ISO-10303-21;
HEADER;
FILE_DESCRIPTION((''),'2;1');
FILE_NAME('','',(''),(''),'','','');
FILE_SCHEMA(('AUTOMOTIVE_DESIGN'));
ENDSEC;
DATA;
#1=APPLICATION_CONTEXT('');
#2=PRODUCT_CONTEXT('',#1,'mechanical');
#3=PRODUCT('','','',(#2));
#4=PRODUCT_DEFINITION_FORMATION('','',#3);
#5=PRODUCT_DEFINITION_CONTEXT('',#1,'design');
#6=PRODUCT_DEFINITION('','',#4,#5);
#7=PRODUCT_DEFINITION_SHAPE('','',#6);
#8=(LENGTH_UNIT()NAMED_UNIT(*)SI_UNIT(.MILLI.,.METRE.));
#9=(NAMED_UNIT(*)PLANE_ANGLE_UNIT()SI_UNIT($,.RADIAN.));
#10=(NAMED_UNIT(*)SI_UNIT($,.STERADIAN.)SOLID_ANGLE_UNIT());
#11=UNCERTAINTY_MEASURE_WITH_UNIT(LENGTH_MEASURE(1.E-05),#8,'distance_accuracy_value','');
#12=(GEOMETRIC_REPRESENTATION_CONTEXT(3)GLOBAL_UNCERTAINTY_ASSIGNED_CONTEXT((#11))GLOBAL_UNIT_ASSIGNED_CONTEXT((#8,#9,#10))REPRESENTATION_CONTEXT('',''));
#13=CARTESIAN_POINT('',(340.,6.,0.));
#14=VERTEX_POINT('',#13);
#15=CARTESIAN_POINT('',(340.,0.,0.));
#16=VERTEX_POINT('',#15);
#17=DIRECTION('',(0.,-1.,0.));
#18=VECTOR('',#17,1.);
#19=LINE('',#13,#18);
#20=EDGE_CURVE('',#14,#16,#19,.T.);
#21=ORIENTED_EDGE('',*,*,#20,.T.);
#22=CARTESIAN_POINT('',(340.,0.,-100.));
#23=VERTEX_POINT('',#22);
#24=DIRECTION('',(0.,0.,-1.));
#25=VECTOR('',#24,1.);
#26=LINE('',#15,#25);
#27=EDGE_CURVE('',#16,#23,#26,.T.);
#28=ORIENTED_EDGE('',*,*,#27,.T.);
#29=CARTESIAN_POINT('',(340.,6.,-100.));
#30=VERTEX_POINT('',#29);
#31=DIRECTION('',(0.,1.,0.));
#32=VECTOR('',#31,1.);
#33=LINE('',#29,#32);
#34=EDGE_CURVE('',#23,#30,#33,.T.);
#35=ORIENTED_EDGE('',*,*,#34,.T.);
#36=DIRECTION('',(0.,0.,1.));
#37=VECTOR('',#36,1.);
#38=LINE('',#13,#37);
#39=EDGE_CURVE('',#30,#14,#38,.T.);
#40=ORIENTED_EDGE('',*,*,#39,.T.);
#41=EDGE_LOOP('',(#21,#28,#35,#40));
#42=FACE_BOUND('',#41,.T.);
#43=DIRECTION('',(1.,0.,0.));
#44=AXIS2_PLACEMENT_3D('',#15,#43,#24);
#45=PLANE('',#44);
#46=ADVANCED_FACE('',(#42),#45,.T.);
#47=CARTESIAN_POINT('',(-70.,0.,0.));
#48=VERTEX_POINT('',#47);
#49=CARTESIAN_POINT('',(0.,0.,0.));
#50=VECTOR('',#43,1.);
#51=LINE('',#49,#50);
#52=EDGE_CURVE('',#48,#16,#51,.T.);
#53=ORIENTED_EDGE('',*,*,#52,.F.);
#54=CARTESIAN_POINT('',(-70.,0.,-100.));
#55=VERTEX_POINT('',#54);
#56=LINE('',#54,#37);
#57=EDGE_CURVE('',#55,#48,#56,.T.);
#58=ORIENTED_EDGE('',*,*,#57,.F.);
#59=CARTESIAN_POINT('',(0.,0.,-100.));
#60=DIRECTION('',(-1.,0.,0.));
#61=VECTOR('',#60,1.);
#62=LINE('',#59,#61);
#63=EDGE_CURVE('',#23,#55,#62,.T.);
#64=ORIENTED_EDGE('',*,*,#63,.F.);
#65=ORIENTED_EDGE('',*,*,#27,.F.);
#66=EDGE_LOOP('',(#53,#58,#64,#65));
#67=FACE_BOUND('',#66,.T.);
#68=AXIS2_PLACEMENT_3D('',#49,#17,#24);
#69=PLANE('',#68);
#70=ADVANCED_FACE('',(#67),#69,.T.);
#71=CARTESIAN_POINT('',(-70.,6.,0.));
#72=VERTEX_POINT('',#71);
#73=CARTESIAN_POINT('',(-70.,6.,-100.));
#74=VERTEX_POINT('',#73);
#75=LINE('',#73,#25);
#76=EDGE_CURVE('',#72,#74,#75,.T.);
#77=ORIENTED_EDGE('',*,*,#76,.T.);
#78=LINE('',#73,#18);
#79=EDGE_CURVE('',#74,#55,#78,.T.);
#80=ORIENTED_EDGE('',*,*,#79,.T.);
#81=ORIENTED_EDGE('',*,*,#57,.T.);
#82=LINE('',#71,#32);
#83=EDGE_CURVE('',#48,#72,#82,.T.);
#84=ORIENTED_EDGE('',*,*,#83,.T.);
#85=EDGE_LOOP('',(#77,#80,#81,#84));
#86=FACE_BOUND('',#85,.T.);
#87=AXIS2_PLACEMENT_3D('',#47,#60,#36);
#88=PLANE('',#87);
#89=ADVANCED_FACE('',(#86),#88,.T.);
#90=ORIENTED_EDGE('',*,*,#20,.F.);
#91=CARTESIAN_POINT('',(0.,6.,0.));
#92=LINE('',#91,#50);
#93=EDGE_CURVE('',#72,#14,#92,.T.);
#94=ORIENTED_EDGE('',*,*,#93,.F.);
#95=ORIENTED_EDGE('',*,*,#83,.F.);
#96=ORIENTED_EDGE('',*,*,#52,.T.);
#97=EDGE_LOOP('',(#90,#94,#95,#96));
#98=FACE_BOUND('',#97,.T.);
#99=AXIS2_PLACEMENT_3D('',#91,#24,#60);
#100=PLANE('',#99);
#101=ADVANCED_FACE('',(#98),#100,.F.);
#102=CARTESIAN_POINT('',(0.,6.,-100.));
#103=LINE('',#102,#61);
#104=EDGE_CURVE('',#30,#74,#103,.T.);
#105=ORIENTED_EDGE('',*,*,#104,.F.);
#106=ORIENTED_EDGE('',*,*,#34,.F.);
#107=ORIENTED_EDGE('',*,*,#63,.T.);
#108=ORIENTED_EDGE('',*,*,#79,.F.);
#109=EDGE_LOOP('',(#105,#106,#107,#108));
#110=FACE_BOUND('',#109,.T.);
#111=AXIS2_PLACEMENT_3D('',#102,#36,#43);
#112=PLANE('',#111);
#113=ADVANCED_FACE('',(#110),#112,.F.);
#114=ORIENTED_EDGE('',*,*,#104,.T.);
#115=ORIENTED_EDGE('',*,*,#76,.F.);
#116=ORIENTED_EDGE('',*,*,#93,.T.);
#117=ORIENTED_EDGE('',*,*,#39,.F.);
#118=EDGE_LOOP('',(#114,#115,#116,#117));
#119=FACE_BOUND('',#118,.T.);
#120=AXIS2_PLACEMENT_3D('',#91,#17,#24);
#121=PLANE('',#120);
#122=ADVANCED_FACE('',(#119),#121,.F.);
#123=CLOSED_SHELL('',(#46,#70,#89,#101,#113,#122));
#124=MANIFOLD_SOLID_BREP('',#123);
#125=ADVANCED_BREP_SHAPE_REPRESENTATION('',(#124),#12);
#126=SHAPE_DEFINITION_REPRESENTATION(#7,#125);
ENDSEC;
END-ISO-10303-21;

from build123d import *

# Parameters (mm, degrees)
ESBO_O2_W                = 120
ESBO_O2_H                = 100
RESSALTO_EXTRUS_O1_DEPTH = 6
ESBO_O3_W                = 100
ESBO_O3_H                = 6
RESSALTO_EXTRUS_O3_DEPTH = 70
ESBO_O4_W                = 100
ESBO_O4_H                = 6
RESSALTO_EXTRUS_O4_DEPTH = 120
ESBO_O5_W                = 100
ESBO_O5_H                = 6
RESSALTO_EXTRUS_O5_DEPTH = 100


with BuildPart() as part:
    # Esboço2 → Ressalto-extrusão1 (new body)
    with BuildSketch(Plane(origin=(0, 0, 0), x_dir=(1, 0, 0), z_dir=(0, 1, 0))):
        with Locations((60, 50)):
            Rectangle(ESBO_O2_W, ESBO_O2_H)
    extrude(amount=RESSALTO_EXTRUS_O1_DEPTH)

    # Esboço3 → Ressalto-extrusão3 (add)
    with BuildSketch(Plane.ZY):
        with Locations((-50, 3)):
            Rectangle(ESBO_O3_W, ESBO_O3_H)
    extrude(amount=RESSALTO_EXTRUS_O3_DEPTH)

    # Esboço4 → Ressalto-extrusão4 (add)
    with BuildSketch(Plane(origin=(120, 0, 0), x_dir=(0, 0, -1), z_dir=(1, 0, 0))):
        with Locations((50, 3)):
            Rectangle(ESBO_O4_W, ESBO_O4_H)
    extrude(amount=RESSALTO_EXTRUS_O4_DEPTH)

    # Esboço5 → Ressalto-extrusão5 (add)
    with BuildSketch(Plane(origin=(240, 0, 0), x_dir=(0, 0, -1), z_dir=(1, 0, 0))):
        with Locations((50, 3)):
            Rectangle(ESBO_O5_W, ESBO_O5_H)
    extrude(amount=RESSALTO_EXTRUS_O5_DEPTH)


solid = part.part
